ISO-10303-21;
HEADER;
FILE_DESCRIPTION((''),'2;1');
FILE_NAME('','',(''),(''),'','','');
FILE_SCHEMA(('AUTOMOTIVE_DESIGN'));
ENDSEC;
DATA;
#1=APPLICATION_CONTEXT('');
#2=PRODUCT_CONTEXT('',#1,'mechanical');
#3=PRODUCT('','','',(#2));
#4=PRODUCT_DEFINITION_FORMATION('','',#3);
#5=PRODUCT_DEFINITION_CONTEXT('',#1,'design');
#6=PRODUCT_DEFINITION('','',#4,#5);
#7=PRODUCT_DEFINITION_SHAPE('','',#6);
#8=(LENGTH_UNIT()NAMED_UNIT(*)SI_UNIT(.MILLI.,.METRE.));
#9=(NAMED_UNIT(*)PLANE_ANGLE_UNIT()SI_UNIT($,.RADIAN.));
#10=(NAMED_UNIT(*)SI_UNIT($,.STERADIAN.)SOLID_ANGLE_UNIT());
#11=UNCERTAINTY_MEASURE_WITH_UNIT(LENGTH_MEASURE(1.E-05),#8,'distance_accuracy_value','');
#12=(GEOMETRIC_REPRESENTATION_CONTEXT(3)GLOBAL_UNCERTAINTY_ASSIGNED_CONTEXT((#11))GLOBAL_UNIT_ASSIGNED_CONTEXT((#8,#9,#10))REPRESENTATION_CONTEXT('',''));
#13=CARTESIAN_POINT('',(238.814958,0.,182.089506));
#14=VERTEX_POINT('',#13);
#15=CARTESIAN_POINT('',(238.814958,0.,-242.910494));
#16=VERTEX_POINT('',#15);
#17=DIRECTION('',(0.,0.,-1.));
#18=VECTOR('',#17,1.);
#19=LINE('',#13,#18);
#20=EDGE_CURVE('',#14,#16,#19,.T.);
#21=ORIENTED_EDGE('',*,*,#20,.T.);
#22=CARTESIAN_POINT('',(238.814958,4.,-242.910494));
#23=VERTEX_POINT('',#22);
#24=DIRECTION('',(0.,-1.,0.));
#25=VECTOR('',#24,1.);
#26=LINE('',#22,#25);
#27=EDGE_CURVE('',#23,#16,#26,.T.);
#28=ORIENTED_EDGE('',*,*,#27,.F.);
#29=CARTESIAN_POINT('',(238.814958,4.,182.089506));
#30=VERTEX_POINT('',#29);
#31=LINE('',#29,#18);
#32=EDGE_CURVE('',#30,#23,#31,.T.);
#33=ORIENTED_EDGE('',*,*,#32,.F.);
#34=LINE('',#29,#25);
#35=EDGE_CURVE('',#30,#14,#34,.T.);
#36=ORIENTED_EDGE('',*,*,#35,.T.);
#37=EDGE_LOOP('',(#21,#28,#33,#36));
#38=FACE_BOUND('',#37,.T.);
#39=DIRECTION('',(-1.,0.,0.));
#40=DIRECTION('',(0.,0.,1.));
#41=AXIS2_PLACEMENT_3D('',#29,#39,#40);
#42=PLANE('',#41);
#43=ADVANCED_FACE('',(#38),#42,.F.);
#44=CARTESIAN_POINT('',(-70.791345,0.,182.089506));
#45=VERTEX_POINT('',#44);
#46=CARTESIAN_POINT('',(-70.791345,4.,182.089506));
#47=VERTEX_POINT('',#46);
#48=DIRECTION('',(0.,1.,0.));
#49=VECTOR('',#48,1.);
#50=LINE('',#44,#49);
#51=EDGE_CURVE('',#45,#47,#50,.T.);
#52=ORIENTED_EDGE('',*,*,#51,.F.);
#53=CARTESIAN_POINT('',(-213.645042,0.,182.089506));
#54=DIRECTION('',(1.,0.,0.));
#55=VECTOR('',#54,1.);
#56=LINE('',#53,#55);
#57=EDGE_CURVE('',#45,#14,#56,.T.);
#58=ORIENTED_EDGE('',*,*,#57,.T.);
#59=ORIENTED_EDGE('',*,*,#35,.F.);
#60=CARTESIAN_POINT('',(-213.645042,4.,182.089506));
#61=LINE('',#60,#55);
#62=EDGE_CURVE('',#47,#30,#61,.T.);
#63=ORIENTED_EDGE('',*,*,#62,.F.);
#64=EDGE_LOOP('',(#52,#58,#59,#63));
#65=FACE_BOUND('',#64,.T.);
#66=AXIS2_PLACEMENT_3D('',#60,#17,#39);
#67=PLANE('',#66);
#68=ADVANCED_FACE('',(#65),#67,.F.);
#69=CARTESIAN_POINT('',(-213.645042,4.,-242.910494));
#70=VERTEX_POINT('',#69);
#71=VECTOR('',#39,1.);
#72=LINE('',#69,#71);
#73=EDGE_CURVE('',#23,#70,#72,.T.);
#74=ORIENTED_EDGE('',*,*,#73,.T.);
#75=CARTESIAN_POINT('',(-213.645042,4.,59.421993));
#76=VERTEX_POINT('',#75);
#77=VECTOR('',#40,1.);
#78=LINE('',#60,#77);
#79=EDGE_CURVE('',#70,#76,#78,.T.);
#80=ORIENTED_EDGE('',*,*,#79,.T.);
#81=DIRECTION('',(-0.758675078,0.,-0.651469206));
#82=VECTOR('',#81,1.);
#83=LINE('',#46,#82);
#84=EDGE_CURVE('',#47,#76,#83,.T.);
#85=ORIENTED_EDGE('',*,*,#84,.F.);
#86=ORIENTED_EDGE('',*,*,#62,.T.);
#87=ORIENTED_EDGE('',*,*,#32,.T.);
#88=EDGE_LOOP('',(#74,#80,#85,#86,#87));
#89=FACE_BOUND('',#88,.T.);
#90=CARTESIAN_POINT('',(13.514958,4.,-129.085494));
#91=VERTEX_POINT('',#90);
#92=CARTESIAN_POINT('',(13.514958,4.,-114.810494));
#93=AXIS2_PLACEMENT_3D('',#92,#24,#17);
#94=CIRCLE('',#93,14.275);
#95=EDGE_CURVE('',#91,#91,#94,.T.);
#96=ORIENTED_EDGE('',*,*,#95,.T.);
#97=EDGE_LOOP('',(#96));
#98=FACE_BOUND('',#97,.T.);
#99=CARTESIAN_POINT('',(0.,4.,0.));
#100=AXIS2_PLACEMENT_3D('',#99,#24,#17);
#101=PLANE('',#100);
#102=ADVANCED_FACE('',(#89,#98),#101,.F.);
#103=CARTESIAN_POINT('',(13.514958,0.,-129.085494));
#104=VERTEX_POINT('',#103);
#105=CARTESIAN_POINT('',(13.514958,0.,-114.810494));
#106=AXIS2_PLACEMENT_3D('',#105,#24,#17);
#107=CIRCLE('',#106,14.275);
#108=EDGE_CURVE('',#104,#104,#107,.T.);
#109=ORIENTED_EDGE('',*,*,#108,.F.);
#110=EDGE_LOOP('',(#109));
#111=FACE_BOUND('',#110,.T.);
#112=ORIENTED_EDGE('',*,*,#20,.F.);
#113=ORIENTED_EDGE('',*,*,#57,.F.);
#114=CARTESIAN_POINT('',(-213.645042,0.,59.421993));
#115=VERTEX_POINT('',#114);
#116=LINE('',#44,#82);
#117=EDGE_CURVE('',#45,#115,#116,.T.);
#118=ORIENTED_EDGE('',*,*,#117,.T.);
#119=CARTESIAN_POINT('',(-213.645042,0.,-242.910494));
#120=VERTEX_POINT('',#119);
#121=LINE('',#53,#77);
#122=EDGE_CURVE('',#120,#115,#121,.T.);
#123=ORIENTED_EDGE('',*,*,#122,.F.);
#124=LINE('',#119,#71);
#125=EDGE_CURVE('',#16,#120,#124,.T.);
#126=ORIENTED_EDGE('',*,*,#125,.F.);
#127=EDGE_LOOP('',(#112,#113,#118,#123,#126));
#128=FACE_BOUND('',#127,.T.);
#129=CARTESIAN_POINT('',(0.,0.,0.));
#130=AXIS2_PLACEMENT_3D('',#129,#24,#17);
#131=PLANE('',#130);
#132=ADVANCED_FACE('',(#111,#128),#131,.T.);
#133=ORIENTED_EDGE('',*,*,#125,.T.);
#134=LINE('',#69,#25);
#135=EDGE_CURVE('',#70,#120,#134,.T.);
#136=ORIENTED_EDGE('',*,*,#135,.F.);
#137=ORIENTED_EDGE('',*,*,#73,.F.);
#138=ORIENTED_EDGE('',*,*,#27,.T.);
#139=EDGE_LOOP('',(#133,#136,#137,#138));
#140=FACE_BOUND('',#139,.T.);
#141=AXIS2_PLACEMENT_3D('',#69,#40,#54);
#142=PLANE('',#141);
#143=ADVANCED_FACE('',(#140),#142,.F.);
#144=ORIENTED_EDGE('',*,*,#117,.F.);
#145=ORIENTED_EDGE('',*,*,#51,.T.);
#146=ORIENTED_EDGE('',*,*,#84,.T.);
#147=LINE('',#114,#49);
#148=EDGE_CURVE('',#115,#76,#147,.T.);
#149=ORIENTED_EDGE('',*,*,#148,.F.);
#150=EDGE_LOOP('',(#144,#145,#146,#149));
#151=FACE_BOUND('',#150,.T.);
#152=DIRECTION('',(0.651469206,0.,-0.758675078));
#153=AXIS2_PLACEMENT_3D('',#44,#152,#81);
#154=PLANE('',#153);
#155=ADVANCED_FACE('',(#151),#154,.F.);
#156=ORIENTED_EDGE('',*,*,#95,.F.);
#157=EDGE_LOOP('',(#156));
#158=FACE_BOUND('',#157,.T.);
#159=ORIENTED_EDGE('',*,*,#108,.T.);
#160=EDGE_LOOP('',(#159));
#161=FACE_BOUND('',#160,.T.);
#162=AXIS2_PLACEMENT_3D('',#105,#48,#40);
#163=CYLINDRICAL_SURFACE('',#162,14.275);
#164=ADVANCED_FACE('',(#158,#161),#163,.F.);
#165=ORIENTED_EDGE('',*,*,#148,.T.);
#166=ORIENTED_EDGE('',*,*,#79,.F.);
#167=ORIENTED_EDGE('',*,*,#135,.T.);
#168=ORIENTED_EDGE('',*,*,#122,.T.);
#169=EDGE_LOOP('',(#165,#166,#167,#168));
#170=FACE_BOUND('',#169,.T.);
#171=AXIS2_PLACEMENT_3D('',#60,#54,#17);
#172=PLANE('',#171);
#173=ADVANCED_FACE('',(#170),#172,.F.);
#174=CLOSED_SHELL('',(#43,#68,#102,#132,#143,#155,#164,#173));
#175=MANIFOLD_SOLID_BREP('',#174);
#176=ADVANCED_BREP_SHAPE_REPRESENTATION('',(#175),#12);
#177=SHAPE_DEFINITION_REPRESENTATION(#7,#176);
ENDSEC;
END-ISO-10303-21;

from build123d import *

# Parameters (mm, degrees)
SKETCH1_W           = 452.46
SKETCH1_H           = 425
BOSS_EXTRUDE1_DEPTH = 4
SKETCH2_R           = 14.275
CUT_EXTRUDE1_DEPTH  = 5
CUT_EXTRUDE2_DEPTH  = 5


with BuildPart() as part:
    # Sketch1 → Boss-Extrude1 (new body)
    with BuildSketch(Plane(origin=(0, 0, 0), x_dir=(1, 0, 0), z_dir=(0, 1, 0))):
        with Locations((12.58495796, 30.41049436)):
            Rectangle(SKETCH1_W, SKETCH1_H)
    extrude(amount=BOSS_EXTRUDE1_DEPTH)

    # Sketch2 → Cut-Extrude1 (cut, through all)
    with BuildSketch(Plane.XZ.offset(-4)):
        with Locations((13.51495796, -114.81049436)):
            Circle(SKETCH2_R)
    extrude(amount=CUT_EXTRUDE1_DEPTH, mode=Mode.SUBTRACT)

    # Sketch3 → Cut-Extrude2 (cut, through all)
    with BuildSketch(Plane(origin=(0, 4, 0), x_dir=(1, 0, 0), z_dir=(0, 1, 0))):
        Polygon((-70.791344552, -182.08950564), (-213.64504204, -59.421992734), (-317.358115476, -168.108607174), (-142.218193296, -320.092437945), align=None)
    extrude(amount=-CUT_EXTRUDE2_DEPTH, mode=Mode.SUBTRACT)


solid = part.part
